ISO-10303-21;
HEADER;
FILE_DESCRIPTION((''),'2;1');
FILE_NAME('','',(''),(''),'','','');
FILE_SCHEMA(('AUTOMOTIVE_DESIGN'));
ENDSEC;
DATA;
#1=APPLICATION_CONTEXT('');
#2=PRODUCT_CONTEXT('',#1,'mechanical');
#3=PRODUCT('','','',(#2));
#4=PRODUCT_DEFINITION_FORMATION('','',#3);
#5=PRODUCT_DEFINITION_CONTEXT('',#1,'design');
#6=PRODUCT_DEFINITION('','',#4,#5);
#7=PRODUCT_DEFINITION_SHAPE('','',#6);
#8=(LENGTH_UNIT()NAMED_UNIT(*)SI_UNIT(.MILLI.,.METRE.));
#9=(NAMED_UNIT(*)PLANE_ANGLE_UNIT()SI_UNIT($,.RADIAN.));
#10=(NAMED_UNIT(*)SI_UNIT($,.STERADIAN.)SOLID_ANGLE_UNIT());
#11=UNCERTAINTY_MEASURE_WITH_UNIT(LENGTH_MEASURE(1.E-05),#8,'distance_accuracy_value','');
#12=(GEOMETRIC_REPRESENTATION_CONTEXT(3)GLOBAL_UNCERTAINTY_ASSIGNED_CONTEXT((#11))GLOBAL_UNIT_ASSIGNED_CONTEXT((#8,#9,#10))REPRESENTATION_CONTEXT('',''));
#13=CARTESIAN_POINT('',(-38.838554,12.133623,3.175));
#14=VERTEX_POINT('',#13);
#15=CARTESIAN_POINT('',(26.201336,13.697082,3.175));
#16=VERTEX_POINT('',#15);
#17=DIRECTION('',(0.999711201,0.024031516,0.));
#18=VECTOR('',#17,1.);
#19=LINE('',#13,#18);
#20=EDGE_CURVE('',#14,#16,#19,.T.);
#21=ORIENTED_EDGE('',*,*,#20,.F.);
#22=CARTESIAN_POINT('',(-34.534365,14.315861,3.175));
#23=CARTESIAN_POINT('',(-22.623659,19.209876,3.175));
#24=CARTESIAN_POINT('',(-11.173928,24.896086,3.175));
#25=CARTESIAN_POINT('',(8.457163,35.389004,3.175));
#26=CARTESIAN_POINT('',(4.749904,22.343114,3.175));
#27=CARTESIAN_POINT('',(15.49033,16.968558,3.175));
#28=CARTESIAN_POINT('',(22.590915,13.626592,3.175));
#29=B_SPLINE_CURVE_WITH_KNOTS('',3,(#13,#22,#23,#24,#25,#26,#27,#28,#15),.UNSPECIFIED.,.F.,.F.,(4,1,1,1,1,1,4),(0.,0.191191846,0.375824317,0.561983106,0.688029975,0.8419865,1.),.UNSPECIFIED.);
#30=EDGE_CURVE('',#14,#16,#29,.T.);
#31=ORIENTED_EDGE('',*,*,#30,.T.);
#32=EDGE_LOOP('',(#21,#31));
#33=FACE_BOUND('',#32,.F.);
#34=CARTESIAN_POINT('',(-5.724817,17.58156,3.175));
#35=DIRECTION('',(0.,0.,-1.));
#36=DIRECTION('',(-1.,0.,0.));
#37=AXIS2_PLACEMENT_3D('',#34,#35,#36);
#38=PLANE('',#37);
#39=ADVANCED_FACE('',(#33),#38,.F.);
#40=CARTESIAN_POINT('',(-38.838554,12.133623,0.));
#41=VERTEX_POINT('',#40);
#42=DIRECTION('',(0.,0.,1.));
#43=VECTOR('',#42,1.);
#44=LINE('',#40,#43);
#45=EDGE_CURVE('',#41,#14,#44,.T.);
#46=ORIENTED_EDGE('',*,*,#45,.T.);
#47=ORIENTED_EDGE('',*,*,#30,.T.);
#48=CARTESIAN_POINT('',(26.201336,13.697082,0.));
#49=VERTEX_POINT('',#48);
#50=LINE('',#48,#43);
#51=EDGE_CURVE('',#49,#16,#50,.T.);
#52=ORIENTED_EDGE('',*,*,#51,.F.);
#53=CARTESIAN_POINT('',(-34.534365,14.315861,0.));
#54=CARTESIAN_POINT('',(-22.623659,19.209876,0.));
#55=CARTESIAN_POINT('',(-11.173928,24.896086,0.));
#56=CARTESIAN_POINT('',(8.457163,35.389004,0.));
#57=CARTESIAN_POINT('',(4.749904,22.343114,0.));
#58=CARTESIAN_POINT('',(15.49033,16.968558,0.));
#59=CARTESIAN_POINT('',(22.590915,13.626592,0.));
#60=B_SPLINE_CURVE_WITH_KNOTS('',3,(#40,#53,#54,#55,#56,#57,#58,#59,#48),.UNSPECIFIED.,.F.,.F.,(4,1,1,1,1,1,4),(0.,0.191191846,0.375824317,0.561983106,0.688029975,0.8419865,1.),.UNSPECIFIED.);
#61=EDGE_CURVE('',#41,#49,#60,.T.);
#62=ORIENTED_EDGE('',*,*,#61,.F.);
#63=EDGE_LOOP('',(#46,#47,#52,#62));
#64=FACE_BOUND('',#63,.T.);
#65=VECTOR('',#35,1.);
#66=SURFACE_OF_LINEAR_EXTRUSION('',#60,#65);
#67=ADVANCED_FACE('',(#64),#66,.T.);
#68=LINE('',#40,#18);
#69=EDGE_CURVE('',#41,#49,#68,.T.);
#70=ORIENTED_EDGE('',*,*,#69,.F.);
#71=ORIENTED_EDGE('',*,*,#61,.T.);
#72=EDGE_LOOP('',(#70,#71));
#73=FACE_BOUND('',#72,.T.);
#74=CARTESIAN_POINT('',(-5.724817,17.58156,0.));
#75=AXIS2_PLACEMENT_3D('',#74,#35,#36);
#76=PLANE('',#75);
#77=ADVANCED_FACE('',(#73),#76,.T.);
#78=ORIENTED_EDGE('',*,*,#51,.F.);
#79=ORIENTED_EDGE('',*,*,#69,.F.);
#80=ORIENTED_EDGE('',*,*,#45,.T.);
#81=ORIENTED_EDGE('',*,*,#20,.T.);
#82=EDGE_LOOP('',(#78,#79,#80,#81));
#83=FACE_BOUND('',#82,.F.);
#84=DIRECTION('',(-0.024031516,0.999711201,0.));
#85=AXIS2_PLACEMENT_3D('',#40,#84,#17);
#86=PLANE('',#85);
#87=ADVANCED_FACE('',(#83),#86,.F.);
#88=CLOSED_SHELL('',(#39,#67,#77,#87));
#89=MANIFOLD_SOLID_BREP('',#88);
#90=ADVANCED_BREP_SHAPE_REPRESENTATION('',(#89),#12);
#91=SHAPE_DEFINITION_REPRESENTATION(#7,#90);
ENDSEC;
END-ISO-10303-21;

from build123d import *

# Parameters (mm, degrees)
F1_DEPTH = 3.175


with BuildPart() as f1:
    # F0 (on Top) → F1 (new body)
    with BuildSketch(Plane.XY):
        with BuildLine():
            add(Edge.make_bspline(
                [(-38.8385541737, 12.1336234733), (-34.5343647417, 14.3158607377), (-22.6236591248, 19.2098764077), (-11.1739277269, 24.8960863863), (8.45716265, 35.3890035584), (4.7499039076, 22.3431142566), (15.4903298879, 16.9685584203), (22.590915287, 13.6265916463), (26.2013357133, 13.6970821768)],
                knots=[0, 0, 0, 0, 0.1911918461, 0.3758243169, 0.5619831063, 0.6880299753, 0.8419865, 1, 1, 1, 1], degree=3))
            Line((-38.8385541737, 12.1336234733), (26.2013357133, 13.6970821768))
        make_face()
    extrude(amount=F1_DEPTH)


solid = f1.part
